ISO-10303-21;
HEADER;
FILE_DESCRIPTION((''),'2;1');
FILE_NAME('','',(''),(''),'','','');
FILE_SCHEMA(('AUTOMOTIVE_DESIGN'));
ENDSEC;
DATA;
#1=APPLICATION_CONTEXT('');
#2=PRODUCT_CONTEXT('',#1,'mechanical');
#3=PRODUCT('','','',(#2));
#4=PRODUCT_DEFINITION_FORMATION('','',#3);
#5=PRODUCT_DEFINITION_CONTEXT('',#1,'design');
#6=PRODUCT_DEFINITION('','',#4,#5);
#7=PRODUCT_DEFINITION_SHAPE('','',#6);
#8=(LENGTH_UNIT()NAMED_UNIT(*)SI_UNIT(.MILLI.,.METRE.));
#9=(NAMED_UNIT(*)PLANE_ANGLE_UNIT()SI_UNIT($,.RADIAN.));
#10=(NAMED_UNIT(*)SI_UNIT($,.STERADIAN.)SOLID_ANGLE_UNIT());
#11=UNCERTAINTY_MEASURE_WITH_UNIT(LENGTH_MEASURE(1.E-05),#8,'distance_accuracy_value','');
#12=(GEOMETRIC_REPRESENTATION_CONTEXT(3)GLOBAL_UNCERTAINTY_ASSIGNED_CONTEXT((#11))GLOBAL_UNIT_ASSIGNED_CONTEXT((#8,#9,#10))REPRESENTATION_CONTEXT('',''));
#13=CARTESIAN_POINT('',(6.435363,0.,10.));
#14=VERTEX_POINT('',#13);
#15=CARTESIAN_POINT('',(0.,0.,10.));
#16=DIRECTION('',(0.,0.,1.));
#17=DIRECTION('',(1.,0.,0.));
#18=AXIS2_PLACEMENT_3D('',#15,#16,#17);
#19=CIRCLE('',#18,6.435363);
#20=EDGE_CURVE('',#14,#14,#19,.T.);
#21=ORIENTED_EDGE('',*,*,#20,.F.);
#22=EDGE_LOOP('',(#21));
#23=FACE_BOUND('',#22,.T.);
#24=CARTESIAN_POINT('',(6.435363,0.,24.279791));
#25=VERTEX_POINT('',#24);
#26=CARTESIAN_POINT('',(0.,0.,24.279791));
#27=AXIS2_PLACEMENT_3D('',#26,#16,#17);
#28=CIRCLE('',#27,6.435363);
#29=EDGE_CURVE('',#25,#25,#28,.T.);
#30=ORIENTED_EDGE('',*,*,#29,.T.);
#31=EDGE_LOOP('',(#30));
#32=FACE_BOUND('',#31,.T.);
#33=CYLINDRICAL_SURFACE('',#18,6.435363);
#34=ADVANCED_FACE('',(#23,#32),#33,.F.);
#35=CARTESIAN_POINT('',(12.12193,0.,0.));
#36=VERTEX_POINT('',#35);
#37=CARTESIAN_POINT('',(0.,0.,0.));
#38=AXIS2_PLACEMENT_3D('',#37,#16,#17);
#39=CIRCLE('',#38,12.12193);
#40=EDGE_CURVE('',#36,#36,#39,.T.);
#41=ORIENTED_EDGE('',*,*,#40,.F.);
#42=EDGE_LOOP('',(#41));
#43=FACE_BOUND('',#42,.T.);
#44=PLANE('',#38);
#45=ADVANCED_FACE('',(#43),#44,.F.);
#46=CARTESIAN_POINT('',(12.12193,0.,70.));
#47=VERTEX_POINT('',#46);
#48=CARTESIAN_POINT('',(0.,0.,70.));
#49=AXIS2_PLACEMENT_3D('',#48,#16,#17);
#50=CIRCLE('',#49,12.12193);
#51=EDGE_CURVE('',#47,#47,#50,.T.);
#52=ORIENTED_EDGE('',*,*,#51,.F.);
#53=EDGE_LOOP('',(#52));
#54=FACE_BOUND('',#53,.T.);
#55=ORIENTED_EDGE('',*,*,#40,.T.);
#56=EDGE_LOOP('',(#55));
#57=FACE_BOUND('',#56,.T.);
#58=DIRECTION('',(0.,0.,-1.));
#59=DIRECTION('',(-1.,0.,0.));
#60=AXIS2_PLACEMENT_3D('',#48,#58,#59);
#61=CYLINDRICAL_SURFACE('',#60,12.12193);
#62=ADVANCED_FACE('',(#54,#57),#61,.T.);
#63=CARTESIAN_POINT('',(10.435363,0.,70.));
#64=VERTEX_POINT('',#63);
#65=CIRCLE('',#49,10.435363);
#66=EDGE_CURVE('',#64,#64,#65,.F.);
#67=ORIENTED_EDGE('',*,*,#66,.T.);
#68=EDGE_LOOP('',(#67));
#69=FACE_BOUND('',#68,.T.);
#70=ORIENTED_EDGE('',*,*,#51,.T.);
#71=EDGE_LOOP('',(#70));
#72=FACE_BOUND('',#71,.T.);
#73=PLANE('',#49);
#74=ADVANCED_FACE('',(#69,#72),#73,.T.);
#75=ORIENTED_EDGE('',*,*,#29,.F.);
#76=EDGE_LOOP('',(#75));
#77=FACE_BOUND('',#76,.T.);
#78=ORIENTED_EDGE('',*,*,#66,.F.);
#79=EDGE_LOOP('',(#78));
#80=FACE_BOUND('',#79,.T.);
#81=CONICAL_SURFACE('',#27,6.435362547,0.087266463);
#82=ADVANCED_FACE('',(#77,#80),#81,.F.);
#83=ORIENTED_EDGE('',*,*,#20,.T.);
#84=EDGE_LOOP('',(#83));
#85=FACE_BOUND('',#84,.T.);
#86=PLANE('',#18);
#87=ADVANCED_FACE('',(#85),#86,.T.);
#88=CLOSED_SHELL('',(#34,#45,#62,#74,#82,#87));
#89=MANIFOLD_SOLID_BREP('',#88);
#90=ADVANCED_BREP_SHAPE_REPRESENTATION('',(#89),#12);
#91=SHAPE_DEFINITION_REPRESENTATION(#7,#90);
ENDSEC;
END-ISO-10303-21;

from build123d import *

# Parameters (mm, degrees)
SKETCH1_R           = 12.121929558
BOSS_EXTRUDE1_DEPTH = 70
SKETCH2_R           = 6.435362547
CUT_EXTRUDE1_DEPTH  = 60
CHAMFER1_SIZE       = 4
CHAMFER1_SIZE2      = 45.720209211


with BuildPart() as part:
    # Sketch1 → Boss-Extrude1 (new body)
    with BuildSketch(Plane.XY):
        Circle(SKETCH1_R)
    extrude(amount=BOSS_EXTRUDE1_DEPTH)

    # Sketch2 → Cut-Extrude1 (cut)
    with BuildSketch(Plane.XY.offset(70)):
        Circle(SKETCH2_R)
    extrude(amount=-CUT_EXTRUDE1_DEPTH, mode=Mode.SUBTRACT)

    # Chamfer1
    chamfer1_edges = [part.edges().sort_by_distance(p)[0] for p in [
        (-6.435362547, 0, 70),
    ]]
    chamfer1_side = [part.faces().sort_by_distance(p)[0] for p in [
        (-11.779069614, 0, 70),
    ]]
    chamfer(chamfer1_edges, length=CHAMFER1_SIZE, length2=CHAMFER1_SIZE2, reference=chamfer1_side[0])


solid = part.part
